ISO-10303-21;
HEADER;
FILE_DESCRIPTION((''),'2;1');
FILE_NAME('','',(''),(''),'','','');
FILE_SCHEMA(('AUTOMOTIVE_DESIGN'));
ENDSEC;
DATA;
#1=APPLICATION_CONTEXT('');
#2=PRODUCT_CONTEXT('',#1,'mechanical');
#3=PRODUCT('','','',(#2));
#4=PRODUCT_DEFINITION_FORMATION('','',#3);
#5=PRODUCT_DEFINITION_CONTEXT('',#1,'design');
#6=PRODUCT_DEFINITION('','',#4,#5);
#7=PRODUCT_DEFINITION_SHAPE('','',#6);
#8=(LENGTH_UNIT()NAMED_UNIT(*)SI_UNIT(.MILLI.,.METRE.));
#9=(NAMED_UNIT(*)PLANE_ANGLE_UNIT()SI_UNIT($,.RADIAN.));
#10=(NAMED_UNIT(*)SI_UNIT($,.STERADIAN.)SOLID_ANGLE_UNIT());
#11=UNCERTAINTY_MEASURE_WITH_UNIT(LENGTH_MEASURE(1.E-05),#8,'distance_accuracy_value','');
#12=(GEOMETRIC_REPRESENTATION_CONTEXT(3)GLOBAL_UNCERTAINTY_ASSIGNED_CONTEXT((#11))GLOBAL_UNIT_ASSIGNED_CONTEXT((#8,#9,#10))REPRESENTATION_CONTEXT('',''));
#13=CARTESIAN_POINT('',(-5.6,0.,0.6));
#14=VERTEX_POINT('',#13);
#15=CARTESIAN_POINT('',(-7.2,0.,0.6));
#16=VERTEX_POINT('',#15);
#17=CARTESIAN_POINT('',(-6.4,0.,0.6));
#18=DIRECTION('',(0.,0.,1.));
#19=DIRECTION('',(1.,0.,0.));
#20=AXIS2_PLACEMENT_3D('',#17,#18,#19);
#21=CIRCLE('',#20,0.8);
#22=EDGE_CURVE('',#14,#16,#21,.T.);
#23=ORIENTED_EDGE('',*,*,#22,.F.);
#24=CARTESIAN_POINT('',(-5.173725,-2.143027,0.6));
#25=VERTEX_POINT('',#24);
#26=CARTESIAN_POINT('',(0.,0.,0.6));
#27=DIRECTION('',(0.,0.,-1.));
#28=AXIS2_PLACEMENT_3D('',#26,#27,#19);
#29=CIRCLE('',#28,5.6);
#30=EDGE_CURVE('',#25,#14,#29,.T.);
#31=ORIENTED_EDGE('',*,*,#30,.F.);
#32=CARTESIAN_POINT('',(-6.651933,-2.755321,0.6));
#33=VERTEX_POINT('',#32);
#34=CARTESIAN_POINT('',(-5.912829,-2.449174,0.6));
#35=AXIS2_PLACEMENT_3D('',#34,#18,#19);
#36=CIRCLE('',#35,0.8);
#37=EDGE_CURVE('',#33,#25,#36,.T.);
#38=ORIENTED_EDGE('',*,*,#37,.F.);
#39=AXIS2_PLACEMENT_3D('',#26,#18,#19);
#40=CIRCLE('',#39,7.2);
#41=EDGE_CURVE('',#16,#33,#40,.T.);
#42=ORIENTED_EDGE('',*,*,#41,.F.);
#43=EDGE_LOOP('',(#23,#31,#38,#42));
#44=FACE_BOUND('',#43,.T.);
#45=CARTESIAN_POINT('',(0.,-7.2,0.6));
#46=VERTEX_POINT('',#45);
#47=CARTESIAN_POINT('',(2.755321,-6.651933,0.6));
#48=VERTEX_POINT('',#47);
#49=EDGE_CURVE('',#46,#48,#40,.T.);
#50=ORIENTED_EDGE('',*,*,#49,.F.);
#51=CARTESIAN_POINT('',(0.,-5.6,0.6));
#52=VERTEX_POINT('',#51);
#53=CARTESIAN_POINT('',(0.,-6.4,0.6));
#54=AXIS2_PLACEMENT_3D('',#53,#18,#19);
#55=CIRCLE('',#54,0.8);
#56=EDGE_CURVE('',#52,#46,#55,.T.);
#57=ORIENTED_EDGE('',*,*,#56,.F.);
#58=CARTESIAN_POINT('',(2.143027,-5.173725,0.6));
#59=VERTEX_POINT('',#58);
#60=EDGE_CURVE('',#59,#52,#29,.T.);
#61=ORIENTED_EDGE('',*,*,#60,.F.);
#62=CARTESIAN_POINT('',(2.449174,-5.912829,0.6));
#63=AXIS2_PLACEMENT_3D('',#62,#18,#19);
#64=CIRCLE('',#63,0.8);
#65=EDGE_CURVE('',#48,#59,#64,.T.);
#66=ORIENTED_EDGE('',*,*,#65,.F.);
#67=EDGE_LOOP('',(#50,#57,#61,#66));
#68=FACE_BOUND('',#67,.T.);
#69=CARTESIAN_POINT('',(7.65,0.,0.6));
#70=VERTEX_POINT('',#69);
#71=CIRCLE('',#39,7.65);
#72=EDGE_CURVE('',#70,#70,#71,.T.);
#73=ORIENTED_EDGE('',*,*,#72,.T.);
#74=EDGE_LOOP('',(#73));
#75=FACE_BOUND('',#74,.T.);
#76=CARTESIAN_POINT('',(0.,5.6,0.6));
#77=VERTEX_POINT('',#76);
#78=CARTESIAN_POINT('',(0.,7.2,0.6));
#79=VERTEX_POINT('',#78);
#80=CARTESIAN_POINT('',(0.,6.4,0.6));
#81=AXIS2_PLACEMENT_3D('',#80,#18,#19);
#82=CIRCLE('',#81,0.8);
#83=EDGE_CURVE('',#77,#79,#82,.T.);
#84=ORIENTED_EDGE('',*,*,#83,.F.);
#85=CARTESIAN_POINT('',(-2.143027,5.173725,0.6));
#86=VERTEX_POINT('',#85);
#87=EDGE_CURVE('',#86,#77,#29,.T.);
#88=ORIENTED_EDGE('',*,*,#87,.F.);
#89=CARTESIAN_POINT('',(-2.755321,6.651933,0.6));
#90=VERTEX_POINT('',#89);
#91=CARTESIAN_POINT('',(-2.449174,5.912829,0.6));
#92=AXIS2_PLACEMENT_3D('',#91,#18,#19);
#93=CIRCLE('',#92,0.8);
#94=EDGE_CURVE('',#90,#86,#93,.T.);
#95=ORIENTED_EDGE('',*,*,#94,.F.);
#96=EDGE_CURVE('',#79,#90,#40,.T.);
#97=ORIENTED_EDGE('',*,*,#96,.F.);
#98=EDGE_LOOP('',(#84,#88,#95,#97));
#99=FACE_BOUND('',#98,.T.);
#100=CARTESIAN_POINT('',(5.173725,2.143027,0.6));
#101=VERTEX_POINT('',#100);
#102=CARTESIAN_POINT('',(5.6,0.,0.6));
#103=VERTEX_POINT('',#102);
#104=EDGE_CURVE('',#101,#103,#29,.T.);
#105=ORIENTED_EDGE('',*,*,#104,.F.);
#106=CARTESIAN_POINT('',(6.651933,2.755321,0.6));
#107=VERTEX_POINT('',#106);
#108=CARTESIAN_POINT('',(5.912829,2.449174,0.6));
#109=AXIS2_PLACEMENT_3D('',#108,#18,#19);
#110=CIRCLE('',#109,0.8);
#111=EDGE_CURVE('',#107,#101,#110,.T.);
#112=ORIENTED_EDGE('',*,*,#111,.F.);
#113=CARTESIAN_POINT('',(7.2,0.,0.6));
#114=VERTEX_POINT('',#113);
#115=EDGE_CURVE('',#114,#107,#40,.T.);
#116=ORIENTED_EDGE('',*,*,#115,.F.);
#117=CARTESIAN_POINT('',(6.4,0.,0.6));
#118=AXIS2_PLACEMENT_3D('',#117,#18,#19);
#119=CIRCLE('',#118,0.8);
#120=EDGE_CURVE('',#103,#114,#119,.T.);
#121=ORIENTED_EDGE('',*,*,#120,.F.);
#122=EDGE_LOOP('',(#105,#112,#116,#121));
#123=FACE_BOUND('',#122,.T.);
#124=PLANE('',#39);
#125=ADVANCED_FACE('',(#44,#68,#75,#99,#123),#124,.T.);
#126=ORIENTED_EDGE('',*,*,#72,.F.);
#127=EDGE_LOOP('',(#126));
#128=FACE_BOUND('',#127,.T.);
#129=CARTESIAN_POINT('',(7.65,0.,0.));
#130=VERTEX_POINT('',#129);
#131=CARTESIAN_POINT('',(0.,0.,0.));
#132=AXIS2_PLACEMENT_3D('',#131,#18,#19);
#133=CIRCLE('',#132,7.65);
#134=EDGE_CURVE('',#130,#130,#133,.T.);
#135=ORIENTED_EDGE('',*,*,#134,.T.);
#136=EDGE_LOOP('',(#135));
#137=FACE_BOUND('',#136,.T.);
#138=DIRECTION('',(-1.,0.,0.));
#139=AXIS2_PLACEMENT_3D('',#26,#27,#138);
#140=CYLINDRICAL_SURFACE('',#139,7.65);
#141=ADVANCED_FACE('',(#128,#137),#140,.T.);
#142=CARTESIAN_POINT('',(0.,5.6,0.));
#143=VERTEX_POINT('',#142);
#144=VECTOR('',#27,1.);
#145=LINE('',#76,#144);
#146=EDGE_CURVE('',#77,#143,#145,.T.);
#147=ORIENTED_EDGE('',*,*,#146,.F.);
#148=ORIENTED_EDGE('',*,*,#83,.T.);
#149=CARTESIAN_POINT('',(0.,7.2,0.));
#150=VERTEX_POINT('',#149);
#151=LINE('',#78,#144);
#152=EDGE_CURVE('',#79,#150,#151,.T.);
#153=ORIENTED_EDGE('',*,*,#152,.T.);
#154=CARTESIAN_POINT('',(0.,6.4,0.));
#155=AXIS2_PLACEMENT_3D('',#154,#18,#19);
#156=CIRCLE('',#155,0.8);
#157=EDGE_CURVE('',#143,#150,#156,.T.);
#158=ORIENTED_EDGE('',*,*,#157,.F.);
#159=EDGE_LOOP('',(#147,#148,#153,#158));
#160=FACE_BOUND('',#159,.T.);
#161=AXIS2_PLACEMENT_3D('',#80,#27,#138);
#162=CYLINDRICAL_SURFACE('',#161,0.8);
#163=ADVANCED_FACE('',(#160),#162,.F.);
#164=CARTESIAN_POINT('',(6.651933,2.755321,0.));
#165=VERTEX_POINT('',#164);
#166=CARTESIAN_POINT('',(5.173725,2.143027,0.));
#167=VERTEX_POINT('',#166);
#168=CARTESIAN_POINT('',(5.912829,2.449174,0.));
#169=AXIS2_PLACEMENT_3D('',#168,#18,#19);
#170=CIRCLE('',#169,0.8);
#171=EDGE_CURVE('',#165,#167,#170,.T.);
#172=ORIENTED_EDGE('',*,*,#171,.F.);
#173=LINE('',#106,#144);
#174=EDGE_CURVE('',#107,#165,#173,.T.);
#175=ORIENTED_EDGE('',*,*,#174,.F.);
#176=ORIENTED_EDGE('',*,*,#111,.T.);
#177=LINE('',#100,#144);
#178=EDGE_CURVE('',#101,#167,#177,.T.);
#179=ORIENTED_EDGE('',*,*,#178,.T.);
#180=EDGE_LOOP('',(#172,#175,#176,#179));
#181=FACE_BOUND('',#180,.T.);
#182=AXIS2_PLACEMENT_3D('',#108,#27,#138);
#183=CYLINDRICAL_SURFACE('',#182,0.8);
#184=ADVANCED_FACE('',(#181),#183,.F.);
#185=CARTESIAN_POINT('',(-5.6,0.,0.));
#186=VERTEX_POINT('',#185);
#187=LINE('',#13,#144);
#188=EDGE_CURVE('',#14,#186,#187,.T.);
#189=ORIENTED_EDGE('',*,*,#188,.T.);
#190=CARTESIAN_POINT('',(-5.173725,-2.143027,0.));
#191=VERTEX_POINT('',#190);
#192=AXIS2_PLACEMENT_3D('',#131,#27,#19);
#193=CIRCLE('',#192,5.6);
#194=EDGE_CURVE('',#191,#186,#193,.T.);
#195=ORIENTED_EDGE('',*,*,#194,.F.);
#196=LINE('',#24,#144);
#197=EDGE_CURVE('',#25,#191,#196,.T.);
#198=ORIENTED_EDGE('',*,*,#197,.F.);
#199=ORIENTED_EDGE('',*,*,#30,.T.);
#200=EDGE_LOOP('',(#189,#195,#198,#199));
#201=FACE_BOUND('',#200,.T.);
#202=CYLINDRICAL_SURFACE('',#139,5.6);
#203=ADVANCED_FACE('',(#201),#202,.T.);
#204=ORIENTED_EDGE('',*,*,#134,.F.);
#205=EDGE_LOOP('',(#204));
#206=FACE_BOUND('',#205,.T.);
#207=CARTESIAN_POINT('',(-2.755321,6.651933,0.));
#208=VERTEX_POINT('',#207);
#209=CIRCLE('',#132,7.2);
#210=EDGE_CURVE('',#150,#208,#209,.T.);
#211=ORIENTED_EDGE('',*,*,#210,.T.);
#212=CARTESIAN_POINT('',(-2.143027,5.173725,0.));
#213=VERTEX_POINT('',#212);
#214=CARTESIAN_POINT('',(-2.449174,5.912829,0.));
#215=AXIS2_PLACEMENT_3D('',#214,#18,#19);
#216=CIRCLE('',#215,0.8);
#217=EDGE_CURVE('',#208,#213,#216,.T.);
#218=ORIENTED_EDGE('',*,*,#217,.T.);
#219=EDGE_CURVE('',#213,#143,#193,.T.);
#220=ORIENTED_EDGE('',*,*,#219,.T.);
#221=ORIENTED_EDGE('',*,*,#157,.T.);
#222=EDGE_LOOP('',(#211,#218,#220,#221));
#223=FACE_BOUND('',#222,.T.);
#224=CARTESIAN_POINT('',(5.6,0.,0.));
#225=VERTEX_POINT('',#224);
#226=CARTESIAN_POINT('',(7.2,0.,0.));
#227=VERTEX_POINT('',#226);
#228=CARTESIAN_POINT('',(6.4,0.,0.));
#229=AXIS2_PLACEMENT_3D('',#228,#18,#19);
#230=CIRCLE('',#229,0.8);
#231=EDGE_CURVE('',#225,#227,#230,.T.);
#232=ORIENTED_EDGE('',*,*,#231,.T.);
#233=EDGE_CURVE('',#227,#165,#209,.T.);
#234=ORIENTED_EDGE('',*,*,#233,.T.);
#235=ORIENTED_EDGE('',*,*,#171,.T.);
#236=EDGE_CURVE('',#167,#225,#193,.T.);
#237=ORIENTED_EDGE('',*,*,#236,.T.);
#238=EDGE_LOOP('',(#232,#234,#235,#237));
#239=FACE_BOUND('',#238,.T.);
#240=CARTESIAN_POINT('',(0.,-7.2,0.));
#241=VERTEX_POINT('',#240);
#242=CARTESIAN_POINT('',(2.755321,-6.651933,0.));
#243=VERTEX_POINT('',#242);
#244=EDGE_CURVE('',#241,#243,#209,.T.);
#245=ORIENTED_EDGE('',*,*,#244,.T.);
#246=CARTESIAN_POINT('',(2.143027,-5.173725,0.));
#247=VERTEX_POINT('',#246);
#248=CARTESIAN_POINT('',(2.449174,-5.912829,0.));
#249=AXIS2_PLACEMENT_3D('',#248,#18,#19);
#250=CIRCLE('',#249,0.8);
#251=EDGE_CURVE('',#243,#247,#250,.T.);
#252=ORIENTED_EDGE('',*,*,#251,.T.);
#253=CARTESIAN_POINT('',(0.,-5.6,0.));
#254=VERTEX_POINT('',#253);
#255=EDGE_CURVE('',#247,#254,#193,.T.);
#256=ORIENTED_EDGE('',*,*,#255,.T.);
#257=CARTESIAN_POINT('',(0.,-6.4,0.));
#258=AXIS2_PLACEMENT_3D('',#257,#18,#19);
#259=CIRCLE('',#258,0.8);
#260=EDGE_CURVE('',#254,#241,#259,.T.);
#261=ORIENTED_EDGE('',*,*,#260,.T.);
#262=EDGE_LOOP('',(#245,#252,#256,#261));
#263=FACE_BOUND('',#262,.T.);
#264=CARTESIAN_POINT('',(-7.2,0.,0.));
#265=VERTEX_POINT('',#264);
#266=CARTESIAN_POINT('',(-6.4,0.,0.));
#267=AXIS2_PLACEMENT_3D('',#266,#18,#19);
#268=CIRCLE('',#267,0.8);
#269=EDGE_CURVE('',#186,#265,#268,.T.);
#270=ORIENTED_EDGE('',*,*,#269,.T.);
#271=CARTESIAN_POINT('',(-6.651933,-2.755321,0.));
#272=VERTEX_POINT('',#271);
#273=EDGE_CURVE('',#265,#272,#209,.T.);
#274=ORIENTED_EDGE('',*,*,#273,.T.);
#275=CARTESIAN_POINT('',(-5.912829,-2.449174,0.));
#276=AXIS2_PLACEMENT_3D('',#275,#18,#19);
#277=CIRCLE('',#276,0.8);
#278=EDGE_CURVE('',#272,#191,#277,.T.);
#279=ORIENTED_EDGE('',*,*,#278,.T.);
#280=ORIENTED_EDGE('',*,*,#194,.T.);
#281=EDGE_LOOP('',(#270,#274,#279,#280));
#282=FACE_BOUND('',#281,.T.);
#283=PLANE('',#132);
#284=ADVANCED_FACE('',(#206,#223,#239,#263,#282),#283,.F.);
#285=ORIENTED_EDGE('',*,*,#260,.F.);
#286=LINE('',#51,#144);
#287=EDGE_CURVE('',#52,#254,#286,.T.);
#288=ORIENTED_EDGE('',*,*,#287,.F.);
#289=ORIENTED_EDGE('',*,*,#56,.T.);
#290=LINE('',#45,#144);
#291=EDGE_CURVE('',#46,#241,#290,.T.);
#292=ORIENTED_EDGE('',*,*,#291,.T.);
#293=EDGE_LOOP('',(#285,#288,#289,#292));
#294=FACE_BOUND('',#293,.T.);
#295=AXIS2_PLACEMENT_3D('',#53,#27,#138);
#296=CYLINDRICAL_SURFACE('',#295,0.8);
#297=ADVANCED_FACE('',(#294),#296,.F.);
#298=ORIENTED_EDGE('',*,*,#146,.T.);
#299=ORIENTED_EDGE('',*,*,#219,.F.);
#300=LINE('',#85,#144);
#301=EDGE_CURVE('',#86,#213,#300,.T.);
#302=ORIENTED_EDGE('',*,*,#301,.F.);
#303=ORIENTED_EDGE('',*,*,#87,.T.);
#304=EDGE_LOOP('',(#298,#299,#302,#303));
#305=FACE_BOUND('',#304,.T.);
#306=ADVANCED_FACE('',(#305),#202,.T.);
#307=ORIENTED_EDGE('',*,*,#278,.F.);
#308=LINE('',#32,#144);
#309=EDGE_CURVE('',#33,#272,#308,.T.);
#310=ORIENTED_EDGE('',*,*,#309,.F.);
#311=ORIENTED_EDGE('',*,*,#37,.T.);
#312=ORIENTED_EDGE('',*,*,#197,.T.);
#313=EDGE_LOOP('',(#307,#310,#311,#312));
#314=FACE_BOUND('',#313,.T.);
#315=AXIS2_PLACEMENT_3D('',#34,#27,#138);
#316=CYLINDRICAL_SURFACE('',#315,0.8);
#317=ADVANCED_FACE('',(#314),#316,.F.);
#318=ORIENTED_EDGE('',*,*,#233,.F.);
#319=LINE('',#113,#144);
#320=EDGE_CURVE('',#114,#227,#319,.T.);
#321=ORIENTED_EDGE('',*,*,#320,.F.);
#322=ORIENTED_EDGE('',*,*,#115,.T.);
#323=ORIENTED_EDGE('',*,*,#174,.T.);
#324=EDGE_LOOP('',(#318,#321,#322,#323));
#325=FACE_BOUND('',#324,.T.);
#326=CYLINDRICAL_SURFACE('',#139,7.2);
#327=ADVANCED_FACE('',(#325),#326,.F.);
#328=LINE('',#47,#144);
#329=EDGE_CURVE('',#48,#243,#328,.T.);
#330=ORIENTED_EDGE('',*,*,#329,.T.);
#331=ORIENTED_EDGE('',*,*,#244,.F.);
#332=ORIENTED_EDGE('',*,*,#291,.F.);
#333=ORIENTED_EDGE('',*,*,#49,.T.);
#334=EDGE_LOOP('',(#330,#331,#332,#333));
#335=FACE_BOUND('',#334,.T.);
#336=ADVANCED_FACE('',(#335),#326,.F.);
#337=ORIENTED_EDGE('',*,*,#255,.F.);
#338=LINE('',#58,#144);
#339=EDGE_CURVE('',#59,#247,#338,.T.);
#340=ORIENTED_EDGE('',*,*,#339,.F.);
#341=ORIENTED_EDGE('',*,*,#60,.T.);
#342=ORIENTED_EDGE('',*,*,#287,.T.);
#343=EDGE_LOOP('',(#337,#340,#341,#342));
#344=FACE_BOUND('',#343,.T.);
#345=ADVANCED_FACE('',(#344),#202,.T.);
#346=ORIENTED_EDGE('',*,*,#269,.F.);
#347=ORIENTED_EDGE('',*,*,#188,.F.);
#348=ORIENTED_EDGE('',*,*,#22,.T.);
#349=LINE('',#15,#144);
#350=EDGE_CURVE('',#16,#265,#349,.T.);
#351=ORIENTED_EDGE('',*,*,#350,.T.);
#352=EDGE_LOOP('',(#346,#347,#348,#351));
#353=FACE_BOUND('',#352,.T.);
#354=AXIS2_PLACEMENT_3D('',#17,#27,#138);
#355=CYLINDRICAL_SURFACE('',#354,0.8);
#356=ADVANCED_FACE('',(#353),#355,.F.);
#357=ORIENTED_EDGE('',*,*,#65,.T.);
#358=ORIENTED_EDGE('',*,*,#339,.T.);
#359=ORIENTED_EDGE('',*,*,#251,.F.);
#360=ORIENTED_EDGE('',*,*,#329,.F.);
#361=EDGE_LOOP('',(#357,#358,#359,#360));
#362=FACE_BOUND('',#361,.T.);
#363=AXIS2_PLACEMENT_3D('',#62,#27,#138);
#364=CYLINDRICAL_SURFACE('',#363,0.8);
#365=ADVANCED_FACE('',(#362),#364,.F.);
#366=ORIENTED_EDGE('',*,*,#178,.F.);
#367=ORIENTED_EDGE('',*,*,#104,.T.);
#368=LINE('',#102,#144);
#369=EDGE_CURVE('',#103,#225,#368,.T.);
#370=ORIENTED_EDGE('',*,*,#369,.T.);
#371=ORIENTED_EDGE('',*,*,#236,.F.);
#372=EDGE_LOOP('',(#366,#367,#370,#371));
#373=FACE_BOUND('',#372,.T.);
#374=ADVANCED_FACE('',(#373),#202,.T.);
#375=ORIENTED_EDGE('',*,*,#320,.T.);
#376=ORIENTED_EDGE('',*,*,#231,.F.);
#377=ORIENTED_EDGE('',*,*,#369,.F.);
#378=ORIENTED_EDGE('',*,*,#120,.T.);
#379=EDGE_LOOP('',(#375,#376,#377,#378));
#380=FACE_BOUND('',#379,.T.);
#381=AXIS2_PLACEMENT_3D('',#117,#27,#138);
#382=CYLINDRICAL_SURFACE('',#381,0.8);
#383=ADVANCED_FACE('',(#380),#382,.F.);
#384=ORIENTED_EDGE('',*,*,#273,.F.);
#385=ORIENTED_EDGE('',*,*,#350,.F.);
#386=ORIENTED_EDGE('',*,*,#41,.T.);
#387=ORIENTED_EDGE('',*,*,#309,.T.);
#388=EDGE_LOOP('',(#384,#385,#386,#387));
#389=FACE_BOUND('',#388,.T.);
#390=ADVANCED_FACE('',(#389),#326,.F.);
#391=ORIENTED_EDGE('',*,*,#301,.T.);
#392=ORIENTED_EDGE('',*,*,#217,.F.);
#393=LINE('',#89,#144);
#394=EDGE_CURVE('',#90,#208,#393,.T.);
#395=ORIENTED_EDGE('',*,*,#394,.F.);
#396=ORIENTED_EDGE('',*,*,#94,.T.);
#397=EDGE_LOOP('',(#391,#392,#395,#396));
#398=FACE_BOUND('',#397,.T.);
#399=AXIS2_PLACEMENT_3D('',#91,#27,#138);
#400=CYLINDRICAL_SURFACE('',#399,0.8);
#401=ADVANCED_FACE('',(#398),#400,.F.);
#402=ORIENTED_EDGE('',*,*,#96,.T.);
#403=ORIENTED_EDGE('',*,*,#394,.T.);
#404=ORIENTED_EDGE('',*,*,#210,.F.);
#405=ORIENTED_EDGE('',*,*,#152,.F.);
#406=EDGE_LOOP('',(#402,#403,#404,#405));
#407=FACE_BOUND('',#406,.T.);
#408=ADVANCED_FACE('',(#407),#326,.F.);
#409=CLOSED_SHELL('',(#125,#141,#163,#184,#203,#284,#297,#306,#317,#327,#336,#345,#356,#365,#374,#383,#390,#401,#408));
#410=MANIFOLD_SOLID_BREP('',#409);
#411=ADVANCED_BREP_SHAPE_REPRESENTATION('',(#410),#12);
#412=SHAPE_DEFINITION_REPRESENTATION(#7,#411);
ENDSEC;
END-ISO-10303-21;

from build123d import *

# Parameters (mm, degrees)
SKETCH1_R           = 7.65
BOSS_EXTRUDE1_DEPTH = 0.6


with BuildPart() as part:
    # Sketch1 → Boss-Extrude1 (new body)
    with BuildSketch(Plane.XY):
        Circle(SKETCH1_R)
        with BuildLine():
            ThreePointArc((0, 5.6), (0.8, 6.4), (0, 7.2))
            ThreePointArc((0, 7.2), (-1.404650319, 7.061654019), (-2.755320713, 6.651932634))
            ThreePointArc((-2.755320713, 6.651932634), (-3.188277593, 5.606682262), (-2.143027221, 5.173725382))
            ThreePointArc((-2.143027221, 5.173725382), (-1.092505803, 5.49239757), (0, 5.6))
        make_face(mode=Mode.SUBTRACT)
        with BuildLine():
            ThreePointArc((6.651932634, 2.755320713), (5.606682262, 3.188277593), (5.173725382, 2.143027221))
            ThreePointArc((5.173725382, 2.143027221), (5.49239757, 1.092505803), (5.6, 0))
            ThreePointArc((5.6, 0), (6.4, -0.8), (7.2, 0))
            ThreePointArc((7.2, 0), (7.061654019, 1.404650319), (6.651932634, 2.755320713))
        make_face(mode=Mode.SUBTRACT)
        with BuildLine():
            ThreePointArc((2.755320713, -6.651932634), (3.188277593, -5.606682262), (2.143027221, -5.173725382))
            ThreePointArc((2.143027221, -5.173725382), (1.092505803, -5.49239757), (0, -5.6))
            ThreePointArc((0, -5.6), (-0.8, -6.4), (0, -7.2))
            ThreePointArc((0, -7.2), (1.404650319, -7.061654019), (2.755320713, -6.651932634))
        make_face(mode=Mode.SUBTRACT)
        with BuildLine():
            ThreePointArc((-6.651932634, -2.755320713), (-5.606682262, -3.188277593), (-5.173725382, -2.143027221))
            ThreePointArc((-5.173725382, -2.143027221), (-5.49239757, -1.092505803), (-5.6, 0))
            ThreePointArc((-5.6, 0), (-6.4, 0.8), (-7.2, 0))
            ThreePointArc((-7.2, 0), (-7.061654019, -1.404650319), (-6.651932634, -2.755320713))
        make_face(mode=Mode.SUBTRACT)
    extrude(amount=BOSS_EXTRUDE1_DEPTH)


solid = part.part
